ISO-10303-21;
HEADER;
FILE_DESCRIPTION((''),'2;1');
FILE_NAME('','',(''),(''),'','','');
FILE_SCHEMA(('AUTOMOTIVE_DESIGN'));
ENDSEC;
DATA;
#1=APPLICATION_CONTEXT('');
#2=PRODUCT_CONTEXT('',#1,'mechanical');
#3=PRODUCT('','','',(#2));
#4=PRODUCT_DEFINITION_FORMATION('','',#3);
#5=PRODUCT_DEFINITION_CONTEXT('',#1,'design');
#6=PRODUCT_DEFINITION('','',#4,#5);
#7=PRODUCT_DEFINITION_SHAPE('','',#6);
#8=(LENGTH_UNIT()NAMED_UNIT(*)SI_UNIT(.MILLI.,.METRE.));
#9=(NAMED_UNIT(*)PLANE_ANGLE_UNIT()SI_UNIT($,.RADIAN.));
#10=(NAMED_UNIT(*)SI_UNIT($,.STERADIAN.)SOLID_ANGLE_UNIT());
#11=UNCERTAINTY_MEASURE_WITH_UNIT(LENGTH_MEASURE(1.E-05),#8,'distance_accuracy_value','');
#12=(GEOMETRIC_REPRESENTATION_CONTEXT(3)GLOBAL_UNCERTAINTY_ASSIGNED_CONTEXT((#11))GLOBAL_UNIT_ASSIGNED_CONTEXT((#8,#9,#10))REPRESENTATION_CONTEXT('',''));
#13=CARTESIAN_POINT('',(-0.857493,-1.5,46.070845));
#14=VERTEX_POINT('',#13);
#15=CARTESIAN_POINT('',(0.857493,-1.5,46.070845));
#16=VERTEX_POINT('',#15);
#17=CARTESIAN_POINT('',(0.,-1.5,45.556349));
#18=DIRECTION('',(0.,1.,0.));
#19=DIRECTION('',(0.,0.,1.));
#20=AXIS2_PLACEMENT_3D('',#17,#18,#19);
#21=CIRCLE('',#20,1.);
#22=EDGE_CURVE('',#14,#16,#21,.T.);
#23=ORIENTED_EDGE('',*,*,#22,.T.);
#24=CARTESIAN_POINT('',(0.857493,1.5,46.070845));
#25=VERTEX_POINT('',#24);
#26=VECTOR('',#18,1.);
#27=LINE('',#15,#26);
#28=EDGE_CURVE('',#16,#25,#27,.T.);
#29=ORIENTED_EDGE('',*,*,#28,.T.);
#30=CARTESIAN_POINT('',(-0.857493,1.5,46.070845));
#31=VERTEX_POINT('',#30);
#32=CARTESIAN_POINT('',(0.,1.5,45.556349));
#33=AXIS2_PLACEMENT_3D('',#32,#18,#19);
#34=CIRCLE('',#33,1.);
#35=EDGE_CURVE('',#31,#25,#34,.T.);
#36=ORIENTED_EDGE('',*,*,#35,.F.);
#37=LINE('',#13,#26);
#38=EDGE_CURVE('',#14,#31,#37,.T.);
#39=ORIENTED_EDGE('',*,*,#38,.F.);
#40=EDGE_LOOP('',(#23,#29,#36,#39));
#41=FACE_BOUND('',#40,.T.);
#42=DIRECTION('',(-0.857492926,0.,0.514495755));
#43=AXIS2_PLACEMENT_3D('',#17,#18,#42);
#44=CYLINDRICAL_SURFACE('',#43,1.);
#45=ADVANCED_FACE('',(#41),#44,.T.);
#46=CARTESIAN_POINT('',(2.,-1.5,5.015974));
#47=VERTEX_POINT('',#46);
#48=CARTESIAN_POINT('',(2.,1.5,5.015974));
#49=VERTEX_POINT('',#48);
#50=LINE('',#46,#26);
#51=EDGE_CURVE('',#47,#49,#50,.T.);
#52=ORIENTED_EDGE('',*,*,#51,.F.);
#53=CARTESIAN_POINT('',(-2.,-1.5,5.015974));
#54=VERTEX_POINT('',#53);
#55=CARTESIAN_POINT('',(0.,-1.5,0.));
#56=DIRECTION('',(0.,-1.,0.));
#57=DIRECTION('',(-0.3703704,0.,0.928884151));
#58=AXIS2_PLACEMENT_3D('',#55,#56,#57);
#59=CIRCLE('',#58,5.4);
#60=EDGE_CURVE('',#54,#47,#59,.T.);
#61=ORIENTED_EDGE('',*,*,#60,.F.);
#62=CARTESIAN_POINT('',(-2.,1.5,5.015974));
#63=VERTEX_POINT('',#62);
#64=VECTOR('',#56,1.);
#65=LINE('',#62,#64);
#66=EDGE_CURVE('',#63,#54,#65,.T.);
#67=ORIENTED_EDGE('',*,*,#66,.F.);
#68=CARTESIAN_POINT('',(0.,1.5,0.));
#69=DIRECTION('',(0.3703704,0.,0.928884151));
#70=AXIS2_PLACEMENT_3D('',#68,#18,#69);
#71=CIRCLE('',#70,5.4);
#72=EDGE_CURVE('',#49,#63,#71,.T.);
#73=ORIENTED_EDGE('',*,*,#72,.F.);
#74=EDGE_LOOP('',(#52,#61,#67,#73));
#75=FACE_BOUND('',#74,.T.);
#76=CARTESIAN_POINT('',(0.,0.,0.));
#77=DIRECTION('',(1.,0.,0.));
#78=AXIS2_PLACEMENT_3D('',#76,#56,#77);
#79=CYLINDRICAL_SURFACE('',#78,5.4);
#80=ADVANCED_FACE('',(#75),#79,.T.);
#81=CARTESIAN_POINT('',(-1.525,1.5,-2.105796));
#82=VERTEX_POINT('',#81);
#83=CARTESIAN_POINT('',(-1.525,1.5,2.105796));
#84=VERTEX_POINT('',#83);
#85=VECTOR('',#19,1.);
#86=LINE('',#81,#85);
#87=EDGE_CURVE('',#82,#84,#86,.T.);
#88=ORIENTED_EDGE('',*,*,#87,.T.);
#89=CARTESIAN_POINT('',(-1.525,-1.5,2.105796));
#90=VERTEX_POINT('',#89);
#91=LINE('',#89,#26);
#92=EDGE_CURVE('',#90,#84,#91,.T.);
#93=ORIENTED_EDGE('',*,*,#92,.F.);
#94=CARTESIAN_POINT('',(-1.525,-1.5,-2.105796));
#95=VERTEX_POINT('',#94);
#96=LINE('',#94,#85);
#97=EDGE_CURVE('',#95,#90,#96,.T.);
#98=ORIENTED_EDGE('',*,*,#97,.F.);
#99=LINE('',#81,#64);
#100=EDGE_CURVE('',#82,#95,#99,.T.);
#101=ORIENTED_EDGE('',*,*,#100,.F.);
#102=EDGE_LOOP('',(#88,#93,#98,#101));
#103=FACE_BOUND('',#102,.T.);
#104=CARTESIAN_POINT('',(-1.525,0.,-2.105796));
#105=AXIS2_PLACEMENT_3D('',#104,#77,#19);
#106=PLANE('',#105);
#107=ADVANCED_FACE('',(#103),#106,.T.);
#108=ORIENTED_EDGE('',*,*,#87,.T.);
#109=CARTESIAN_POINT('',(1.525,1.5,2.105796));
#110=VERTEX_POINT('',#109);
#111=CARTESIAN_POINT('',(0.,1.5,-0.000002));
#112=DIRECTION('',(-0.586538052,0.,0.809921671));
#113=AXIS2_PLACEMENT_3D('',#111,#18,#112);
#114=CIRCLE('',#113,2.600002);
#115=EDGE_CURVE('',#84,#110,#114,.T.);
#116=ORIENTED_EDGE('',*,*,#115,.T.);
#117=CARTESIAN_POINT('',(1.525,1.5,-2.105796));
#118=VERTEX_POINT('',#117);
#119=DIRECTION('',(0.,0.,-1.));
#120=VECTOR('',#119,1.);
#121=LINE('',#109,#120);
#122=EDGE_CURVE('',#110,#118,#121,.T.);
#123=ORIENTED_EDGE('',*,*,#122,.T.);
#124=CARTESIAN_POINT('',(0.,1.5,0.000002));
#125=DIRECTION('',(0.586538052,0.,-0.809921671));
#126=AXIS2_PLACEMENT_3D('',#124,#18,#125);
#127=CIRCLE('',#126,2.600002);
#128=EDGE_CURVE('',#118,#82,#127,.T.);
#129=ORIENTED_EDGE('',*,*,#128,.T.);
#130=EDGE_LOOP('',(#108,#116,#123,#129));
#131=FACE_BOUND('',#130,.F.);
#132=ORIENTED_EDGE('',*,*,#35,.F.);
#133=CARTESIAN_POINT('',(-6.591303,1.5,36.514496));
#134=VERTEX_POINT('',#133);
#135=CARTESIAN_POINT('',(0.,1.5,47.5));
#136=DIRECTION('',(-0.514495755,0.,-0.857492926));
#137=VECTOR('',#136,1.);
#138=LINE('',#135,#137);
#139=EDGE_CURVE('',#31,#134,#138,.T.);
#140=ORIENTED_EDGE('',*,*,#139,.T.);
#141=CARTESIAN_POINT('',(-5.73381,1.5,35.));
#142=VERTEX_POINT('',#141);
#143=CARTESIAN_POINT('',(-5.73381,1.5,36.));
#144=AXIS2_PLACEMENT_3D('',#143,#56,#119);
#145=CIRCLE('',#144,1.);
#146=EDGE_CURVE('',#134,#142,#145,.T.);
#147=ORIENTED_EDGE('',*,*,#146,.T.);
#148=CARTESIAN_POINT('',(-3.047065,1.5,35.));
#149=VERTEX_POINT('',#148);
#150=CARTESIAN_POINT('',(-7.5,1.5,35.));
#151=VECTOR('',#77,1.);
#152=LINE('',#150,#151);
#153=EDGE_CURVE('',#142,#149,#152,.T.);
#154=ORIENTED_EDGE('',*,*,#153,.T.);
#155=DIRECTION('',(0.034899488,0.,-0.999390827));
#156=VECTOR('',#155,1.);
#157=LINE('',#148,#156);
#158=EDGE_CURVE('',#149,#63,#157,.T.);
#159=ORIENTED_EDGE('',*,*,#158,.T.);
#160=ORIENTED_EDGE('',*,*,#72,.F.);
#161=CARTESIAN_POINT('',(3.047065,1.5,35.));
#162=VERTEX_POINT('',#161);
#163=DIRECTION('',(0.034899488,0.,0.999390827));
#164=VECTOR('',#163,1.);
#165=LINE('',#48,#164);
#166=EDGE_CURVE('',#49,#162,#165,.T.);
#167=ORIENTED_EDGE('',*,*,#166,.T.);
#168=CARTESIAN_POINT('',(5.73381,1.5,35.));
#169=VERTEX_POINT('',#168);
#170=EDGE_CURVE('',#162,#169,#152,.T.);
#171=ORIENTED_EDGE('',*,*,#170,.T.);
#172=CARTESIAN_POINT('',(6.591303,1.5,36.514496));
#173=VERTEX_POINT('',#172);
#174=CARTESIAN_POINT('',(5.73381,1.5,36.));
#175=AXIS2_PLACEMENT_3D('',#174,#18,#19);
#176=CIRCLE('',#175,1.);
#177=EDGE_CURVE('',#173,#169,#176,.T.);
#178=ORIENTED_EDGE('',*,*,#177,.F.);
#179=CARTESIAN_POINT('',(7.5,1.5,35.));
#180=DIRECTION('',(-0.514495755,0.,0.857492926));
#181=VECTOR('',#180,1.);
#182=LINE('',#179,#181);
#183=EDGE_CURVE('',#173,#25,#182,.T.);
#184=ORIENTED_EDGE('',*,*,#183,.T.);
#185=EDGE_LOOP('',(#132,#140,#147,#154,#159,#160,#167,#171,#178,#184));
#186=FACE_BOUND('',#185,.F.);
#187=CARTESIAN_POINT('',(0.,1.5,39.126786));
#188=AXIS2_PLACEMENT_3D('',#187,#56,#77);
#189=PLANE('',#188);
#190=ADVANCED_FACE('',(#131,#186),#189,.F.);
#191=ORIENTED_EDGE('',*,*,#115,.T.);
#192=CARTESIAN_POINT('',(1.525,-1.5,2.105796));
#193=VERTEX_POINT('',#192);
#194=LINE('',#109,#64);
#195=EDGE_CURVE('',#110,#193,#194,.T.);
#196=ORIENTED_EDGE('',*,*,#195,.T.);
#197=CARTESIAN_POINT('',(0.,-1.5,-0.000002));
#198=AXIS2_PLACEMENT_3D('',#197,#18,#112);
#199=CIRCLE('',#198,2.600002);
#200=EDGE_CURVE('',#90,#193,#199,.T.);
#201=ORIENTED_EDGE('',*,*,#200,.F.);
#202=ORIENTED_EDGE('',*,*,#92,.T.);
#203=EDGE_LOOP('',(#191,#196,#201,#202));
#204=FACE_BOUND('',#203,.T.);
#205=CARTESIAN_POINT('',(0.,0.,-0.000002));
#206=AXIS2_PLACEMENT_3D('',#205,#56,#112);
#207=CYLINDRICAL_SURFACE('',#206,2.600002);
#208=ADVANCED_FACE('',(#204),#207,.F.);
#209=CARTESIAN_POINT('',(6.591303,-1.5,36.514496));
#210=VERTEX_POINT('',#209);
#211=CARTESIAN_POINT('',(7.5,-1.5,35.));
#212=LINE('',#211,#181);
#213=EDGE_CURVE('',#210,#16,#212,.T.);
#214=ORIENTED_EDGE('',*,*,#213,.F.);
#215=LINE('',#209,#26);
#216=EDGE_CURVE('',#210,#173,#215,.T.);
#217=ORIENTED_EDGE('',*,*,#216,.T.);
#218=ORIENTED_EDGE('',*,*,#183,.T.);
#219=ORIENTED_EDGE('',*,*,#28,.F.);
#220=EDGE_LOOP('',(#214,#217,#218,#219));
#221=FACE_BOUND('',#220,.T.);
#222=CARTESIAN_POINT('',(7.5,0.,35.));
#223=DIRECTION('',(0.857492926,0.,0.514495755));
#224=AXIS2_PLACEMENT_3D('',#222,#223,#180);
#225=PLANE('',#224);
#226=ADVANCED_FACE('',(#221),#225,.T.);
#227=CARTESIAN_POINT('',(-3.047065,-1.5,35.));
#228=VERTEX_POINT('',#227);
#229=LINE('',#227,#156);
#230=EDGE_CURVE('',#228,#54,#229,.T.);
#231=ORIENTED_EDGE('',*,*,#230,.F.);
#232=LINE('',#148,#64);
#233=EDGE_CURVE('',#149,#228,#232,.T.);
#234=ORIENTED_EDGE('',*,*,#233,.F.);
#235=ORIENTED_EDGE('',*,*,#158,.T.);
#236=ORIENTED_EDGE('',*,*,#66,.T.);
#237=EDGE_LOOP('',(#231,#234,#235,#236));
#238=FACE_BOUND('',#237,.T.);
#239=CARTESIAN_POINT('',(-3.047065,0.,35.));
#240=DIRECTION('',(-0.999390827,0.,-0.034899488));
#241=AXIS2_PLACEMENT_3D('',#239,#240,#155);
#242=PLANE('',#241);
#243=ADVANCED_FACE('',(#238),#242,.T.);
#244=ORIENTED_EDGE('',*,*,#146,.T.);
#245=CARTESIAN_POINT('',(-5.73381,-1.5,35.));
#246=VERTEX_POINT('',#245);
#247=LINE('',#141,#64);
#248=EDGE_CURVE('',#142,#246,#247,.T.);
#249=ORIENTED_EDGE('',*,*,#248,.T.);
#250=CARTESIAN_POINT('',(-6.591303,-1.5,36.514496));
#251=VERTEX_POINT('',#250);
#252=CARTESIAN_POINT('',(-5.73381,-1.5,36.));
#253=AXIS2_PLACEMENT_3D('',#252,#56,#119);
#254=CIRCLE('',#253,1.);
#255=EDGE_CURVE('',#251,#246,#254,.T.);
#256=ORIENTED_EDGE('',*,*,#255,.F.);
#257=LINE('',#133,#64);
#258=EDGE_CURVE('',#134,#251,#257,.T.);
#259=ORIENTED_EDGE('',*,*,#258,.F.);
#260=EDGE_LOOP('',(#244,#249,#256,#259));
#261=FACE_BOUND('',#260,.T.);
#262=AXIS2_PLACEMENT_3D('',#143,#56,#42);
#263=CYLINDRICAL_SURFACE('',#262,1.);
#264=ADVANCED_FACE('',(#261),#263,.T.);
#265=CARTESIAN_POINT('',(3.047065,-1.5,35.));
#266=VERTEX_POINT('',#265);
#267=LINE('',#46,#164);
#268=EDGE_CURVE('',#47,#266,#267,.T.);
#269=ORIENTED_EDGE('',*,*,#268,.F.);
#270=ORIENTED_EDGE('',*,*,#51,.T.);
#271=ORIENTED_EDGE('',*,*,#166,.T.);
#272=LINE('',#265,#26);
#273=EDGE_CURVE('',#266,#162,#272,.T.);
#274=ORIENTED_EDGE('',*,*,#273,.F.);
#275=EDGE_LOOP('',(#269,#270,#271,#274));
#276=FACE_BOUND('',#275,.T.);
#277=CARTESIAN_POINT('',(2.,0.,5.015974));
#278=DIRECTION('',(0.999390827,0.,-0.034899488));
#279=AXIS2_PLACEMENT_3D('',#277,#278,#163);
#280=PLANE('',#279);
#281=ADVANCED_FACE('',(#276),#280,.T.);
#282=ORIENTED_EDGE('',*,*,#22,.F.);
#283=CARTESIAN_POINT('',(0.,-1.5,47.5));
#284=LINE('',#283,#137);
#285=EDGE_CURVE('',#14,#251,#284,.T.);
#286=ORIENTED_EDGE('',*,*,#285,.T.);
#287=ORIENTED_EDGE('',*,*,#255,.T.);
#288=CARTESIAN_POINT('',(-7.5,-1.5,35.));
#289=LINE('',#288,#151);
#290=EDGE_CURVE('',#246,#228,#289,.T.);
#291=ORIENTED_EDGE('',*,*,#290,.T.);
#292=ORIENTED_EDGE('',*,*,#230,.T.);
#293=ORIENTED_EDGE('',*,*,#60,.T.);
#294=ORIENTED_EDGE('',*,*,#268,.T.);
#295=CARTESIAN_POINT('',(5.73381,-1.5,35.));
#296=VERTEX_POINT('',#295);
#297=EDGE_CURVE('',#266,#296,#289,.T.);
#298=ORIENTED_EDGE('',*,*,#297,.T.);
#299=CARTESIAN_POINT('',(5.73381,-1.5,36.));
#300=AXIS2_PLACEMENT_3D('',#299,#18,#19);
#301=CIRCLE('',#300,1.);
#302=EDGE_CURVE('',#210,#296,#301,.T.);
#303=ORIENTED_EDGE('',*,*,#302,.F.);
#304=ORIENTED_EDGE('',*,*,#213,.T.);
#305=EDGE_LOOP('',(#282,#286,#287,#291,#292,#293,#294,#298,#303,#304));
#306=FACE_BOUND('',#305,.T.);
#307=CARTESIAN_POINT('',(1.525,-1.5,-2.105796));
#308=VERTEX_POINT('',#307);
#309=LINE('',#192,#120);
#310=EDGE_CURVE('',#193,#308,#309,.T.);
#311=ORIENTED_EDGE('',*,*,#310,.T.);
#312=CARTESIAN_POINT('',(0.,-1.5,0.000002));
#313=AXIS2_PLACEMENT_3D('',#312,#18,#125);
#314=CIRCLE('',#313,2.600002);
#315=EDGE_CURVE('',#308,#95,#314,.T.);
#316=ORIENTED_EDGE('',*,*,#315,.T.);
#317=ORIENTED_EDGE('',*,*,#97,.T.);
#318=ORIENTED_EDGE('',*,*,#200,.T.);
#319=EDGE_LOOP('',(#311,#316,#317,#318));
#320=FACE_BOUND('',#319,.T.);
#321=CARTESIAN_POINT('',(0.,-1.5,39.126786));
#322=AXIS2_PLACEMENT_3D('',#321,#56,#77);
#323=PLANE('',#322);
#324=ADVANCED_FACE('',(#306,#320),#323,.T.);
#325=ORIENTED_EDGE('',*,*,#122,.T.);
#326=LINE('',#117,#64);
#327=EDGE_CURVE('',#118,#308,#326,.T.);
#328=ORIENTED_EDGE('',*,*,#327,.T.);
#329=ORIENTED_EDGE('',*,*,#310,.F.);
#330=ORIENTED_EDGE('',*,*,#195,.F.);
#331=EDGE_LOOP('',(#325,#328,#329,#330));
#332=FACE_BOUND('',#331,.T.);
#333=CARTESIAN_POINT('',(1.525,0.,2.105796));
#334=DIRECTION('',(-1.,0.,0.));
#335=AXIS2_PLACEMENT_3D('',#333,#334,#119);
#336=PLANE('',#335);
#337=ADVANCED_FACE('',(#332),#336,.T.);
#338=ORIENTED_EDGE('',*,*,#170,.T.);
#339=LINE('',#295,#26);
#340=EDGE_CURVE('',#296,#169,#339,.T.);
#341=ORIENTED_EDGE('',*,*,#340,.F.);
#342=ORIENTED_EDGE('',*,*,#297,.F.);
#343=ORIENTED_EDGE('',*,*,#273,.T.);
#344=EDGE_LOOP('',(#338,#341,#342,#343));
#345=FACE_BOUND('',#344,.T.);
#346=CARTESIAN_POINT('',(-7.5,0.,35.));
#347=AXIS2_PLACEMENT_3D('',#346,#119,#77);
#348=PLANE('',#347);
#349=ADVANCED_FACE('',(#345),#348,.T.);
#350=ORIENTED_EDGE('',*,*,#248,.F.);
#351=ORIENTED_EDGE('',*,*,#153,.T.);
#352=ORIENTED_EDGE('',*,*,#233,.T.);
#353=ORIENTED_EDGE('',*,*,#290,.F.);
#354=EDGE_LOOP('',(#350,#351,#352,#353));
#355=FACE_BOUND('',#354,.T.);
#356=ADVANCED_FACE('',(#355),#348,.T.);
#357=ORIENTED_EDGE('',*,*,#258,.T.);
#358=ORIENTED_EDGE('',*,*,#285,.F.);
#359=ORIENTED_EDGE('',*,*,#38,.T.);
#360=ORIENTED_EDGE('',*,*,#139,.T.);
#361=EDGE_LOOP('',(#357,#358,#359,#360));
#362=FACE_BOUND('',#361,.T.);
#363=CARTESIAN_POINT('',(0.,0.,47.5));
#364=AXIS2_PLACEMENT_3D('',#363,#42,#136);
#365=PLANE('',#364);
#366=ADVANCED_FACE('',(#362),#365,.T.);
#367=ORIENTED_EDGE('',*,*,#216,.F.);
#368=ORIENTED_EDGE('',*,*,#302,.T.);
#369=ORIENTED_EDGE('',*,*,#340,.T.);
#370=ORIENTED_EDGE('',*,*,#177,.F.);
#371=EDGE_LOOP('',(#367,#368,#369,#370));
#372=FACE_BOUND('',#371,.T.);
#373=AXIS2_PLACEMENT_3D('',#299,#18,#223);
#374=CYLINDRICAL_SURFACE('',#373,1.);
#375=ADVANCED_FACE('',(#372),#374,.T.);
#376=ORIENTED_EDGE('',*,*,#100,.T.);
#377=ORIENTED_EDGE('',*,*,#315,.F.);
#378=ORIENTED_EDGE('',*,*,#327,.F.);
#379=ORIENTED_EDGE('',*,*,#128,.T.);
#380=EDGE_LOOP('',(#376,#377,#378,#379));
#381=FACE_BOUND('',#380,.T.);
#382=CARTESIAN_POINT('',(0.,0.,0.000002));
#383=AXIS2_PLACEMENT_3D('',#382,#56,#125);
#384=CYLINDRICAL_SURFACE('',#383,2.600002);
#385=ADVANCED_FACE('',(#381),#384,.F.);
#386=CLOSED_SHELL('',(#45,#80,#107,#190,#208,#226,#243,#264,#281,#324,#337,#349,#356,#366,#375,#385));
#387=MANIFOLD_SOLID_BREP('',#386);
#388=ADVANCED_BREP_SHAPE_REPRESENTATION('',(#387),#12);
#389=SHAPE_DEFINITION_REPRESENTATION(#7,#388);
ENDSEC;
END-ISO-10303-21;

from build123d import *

# Parameters (mm, degrees)
F0_R     = 5.4
F1_DEPTH = 1.5
F3_DEPTH = 1.5
F5_DEPTH = 1.5
F6_R     = 1


with BuildPart() as f1:
    # F0 (on Front) → F1 (new body, symmetric)
    with BuildSketch(Plane.XZ):
        Circle(F0_R)
        with BuildLine():
            ThreePointArc((1.525, 2.105796), (2.315707, 1.182159), (2.6, 0))
            ThreePointArc((2.6, 0), (2.315707, -1.182159), (1.525, -2.105796))
            ThreePointArc((1.525, -2.105796), (0, -2.6), (-1.525, -2.105796))
            ThreePointArc((-1.525, -2.105796), (-2.6, 0), (-1.525, 2.105796))
            ThreePointArc((-1.525, 2.105796), (0, 2.6), (1.525, 2.105796))
        make_face(mode=Mode.SUBTRACT)
        with BuildLine():
            Line((-1.525, -2.105796), (-1.525, 2.105796))
            ThreePointArc((-1.525, 2.105796), (-2.6, 0), (-1.525, -2.105796))
        make_face()
        with BuildLine():
            ThreePointArc((1.525, -2.105796), (2.315707, -1.182159), (2.6, 0))
            ThreePointArc((2.6, 0), (2.315707, 1.182159), (1.525, 2.105796))
            Line((1.525, 2.105796), (1.525, -2.105796))
        make_face()
    extrude(amount=F1_DEPTH, both=True)

    # F2 (on Front) → F3 (join, symmetric)
    with BuildSketch(Plane.XZ):
        Polygon((3.047065, 35), (0, 35), (-3.047065, 35), (-2, 5.015974), (0, 5.015974), (2, 5.015974), align=None)
    extrude(amount=F3_DEPTH, both=True)

    # F4 (on Front) → F5 (join, symmetric)
    with BuildSketch(Plane.XZ):
        Polygon((0, 47.5), (-7.5, 35), (7.5, 35), align=None)
    extrude(amount=F5_DEPTH, both=True)

    # F6
    f6_edges = [f1.edges().sort_by_distance(p)[0] for p in [
        (-7.5, 0, 35),
        (0, 0, 47.5),
        (7.5, 0, 35),
    ]]
    fillet(f6_edges, radius=F6_R)


solid = f1.part
